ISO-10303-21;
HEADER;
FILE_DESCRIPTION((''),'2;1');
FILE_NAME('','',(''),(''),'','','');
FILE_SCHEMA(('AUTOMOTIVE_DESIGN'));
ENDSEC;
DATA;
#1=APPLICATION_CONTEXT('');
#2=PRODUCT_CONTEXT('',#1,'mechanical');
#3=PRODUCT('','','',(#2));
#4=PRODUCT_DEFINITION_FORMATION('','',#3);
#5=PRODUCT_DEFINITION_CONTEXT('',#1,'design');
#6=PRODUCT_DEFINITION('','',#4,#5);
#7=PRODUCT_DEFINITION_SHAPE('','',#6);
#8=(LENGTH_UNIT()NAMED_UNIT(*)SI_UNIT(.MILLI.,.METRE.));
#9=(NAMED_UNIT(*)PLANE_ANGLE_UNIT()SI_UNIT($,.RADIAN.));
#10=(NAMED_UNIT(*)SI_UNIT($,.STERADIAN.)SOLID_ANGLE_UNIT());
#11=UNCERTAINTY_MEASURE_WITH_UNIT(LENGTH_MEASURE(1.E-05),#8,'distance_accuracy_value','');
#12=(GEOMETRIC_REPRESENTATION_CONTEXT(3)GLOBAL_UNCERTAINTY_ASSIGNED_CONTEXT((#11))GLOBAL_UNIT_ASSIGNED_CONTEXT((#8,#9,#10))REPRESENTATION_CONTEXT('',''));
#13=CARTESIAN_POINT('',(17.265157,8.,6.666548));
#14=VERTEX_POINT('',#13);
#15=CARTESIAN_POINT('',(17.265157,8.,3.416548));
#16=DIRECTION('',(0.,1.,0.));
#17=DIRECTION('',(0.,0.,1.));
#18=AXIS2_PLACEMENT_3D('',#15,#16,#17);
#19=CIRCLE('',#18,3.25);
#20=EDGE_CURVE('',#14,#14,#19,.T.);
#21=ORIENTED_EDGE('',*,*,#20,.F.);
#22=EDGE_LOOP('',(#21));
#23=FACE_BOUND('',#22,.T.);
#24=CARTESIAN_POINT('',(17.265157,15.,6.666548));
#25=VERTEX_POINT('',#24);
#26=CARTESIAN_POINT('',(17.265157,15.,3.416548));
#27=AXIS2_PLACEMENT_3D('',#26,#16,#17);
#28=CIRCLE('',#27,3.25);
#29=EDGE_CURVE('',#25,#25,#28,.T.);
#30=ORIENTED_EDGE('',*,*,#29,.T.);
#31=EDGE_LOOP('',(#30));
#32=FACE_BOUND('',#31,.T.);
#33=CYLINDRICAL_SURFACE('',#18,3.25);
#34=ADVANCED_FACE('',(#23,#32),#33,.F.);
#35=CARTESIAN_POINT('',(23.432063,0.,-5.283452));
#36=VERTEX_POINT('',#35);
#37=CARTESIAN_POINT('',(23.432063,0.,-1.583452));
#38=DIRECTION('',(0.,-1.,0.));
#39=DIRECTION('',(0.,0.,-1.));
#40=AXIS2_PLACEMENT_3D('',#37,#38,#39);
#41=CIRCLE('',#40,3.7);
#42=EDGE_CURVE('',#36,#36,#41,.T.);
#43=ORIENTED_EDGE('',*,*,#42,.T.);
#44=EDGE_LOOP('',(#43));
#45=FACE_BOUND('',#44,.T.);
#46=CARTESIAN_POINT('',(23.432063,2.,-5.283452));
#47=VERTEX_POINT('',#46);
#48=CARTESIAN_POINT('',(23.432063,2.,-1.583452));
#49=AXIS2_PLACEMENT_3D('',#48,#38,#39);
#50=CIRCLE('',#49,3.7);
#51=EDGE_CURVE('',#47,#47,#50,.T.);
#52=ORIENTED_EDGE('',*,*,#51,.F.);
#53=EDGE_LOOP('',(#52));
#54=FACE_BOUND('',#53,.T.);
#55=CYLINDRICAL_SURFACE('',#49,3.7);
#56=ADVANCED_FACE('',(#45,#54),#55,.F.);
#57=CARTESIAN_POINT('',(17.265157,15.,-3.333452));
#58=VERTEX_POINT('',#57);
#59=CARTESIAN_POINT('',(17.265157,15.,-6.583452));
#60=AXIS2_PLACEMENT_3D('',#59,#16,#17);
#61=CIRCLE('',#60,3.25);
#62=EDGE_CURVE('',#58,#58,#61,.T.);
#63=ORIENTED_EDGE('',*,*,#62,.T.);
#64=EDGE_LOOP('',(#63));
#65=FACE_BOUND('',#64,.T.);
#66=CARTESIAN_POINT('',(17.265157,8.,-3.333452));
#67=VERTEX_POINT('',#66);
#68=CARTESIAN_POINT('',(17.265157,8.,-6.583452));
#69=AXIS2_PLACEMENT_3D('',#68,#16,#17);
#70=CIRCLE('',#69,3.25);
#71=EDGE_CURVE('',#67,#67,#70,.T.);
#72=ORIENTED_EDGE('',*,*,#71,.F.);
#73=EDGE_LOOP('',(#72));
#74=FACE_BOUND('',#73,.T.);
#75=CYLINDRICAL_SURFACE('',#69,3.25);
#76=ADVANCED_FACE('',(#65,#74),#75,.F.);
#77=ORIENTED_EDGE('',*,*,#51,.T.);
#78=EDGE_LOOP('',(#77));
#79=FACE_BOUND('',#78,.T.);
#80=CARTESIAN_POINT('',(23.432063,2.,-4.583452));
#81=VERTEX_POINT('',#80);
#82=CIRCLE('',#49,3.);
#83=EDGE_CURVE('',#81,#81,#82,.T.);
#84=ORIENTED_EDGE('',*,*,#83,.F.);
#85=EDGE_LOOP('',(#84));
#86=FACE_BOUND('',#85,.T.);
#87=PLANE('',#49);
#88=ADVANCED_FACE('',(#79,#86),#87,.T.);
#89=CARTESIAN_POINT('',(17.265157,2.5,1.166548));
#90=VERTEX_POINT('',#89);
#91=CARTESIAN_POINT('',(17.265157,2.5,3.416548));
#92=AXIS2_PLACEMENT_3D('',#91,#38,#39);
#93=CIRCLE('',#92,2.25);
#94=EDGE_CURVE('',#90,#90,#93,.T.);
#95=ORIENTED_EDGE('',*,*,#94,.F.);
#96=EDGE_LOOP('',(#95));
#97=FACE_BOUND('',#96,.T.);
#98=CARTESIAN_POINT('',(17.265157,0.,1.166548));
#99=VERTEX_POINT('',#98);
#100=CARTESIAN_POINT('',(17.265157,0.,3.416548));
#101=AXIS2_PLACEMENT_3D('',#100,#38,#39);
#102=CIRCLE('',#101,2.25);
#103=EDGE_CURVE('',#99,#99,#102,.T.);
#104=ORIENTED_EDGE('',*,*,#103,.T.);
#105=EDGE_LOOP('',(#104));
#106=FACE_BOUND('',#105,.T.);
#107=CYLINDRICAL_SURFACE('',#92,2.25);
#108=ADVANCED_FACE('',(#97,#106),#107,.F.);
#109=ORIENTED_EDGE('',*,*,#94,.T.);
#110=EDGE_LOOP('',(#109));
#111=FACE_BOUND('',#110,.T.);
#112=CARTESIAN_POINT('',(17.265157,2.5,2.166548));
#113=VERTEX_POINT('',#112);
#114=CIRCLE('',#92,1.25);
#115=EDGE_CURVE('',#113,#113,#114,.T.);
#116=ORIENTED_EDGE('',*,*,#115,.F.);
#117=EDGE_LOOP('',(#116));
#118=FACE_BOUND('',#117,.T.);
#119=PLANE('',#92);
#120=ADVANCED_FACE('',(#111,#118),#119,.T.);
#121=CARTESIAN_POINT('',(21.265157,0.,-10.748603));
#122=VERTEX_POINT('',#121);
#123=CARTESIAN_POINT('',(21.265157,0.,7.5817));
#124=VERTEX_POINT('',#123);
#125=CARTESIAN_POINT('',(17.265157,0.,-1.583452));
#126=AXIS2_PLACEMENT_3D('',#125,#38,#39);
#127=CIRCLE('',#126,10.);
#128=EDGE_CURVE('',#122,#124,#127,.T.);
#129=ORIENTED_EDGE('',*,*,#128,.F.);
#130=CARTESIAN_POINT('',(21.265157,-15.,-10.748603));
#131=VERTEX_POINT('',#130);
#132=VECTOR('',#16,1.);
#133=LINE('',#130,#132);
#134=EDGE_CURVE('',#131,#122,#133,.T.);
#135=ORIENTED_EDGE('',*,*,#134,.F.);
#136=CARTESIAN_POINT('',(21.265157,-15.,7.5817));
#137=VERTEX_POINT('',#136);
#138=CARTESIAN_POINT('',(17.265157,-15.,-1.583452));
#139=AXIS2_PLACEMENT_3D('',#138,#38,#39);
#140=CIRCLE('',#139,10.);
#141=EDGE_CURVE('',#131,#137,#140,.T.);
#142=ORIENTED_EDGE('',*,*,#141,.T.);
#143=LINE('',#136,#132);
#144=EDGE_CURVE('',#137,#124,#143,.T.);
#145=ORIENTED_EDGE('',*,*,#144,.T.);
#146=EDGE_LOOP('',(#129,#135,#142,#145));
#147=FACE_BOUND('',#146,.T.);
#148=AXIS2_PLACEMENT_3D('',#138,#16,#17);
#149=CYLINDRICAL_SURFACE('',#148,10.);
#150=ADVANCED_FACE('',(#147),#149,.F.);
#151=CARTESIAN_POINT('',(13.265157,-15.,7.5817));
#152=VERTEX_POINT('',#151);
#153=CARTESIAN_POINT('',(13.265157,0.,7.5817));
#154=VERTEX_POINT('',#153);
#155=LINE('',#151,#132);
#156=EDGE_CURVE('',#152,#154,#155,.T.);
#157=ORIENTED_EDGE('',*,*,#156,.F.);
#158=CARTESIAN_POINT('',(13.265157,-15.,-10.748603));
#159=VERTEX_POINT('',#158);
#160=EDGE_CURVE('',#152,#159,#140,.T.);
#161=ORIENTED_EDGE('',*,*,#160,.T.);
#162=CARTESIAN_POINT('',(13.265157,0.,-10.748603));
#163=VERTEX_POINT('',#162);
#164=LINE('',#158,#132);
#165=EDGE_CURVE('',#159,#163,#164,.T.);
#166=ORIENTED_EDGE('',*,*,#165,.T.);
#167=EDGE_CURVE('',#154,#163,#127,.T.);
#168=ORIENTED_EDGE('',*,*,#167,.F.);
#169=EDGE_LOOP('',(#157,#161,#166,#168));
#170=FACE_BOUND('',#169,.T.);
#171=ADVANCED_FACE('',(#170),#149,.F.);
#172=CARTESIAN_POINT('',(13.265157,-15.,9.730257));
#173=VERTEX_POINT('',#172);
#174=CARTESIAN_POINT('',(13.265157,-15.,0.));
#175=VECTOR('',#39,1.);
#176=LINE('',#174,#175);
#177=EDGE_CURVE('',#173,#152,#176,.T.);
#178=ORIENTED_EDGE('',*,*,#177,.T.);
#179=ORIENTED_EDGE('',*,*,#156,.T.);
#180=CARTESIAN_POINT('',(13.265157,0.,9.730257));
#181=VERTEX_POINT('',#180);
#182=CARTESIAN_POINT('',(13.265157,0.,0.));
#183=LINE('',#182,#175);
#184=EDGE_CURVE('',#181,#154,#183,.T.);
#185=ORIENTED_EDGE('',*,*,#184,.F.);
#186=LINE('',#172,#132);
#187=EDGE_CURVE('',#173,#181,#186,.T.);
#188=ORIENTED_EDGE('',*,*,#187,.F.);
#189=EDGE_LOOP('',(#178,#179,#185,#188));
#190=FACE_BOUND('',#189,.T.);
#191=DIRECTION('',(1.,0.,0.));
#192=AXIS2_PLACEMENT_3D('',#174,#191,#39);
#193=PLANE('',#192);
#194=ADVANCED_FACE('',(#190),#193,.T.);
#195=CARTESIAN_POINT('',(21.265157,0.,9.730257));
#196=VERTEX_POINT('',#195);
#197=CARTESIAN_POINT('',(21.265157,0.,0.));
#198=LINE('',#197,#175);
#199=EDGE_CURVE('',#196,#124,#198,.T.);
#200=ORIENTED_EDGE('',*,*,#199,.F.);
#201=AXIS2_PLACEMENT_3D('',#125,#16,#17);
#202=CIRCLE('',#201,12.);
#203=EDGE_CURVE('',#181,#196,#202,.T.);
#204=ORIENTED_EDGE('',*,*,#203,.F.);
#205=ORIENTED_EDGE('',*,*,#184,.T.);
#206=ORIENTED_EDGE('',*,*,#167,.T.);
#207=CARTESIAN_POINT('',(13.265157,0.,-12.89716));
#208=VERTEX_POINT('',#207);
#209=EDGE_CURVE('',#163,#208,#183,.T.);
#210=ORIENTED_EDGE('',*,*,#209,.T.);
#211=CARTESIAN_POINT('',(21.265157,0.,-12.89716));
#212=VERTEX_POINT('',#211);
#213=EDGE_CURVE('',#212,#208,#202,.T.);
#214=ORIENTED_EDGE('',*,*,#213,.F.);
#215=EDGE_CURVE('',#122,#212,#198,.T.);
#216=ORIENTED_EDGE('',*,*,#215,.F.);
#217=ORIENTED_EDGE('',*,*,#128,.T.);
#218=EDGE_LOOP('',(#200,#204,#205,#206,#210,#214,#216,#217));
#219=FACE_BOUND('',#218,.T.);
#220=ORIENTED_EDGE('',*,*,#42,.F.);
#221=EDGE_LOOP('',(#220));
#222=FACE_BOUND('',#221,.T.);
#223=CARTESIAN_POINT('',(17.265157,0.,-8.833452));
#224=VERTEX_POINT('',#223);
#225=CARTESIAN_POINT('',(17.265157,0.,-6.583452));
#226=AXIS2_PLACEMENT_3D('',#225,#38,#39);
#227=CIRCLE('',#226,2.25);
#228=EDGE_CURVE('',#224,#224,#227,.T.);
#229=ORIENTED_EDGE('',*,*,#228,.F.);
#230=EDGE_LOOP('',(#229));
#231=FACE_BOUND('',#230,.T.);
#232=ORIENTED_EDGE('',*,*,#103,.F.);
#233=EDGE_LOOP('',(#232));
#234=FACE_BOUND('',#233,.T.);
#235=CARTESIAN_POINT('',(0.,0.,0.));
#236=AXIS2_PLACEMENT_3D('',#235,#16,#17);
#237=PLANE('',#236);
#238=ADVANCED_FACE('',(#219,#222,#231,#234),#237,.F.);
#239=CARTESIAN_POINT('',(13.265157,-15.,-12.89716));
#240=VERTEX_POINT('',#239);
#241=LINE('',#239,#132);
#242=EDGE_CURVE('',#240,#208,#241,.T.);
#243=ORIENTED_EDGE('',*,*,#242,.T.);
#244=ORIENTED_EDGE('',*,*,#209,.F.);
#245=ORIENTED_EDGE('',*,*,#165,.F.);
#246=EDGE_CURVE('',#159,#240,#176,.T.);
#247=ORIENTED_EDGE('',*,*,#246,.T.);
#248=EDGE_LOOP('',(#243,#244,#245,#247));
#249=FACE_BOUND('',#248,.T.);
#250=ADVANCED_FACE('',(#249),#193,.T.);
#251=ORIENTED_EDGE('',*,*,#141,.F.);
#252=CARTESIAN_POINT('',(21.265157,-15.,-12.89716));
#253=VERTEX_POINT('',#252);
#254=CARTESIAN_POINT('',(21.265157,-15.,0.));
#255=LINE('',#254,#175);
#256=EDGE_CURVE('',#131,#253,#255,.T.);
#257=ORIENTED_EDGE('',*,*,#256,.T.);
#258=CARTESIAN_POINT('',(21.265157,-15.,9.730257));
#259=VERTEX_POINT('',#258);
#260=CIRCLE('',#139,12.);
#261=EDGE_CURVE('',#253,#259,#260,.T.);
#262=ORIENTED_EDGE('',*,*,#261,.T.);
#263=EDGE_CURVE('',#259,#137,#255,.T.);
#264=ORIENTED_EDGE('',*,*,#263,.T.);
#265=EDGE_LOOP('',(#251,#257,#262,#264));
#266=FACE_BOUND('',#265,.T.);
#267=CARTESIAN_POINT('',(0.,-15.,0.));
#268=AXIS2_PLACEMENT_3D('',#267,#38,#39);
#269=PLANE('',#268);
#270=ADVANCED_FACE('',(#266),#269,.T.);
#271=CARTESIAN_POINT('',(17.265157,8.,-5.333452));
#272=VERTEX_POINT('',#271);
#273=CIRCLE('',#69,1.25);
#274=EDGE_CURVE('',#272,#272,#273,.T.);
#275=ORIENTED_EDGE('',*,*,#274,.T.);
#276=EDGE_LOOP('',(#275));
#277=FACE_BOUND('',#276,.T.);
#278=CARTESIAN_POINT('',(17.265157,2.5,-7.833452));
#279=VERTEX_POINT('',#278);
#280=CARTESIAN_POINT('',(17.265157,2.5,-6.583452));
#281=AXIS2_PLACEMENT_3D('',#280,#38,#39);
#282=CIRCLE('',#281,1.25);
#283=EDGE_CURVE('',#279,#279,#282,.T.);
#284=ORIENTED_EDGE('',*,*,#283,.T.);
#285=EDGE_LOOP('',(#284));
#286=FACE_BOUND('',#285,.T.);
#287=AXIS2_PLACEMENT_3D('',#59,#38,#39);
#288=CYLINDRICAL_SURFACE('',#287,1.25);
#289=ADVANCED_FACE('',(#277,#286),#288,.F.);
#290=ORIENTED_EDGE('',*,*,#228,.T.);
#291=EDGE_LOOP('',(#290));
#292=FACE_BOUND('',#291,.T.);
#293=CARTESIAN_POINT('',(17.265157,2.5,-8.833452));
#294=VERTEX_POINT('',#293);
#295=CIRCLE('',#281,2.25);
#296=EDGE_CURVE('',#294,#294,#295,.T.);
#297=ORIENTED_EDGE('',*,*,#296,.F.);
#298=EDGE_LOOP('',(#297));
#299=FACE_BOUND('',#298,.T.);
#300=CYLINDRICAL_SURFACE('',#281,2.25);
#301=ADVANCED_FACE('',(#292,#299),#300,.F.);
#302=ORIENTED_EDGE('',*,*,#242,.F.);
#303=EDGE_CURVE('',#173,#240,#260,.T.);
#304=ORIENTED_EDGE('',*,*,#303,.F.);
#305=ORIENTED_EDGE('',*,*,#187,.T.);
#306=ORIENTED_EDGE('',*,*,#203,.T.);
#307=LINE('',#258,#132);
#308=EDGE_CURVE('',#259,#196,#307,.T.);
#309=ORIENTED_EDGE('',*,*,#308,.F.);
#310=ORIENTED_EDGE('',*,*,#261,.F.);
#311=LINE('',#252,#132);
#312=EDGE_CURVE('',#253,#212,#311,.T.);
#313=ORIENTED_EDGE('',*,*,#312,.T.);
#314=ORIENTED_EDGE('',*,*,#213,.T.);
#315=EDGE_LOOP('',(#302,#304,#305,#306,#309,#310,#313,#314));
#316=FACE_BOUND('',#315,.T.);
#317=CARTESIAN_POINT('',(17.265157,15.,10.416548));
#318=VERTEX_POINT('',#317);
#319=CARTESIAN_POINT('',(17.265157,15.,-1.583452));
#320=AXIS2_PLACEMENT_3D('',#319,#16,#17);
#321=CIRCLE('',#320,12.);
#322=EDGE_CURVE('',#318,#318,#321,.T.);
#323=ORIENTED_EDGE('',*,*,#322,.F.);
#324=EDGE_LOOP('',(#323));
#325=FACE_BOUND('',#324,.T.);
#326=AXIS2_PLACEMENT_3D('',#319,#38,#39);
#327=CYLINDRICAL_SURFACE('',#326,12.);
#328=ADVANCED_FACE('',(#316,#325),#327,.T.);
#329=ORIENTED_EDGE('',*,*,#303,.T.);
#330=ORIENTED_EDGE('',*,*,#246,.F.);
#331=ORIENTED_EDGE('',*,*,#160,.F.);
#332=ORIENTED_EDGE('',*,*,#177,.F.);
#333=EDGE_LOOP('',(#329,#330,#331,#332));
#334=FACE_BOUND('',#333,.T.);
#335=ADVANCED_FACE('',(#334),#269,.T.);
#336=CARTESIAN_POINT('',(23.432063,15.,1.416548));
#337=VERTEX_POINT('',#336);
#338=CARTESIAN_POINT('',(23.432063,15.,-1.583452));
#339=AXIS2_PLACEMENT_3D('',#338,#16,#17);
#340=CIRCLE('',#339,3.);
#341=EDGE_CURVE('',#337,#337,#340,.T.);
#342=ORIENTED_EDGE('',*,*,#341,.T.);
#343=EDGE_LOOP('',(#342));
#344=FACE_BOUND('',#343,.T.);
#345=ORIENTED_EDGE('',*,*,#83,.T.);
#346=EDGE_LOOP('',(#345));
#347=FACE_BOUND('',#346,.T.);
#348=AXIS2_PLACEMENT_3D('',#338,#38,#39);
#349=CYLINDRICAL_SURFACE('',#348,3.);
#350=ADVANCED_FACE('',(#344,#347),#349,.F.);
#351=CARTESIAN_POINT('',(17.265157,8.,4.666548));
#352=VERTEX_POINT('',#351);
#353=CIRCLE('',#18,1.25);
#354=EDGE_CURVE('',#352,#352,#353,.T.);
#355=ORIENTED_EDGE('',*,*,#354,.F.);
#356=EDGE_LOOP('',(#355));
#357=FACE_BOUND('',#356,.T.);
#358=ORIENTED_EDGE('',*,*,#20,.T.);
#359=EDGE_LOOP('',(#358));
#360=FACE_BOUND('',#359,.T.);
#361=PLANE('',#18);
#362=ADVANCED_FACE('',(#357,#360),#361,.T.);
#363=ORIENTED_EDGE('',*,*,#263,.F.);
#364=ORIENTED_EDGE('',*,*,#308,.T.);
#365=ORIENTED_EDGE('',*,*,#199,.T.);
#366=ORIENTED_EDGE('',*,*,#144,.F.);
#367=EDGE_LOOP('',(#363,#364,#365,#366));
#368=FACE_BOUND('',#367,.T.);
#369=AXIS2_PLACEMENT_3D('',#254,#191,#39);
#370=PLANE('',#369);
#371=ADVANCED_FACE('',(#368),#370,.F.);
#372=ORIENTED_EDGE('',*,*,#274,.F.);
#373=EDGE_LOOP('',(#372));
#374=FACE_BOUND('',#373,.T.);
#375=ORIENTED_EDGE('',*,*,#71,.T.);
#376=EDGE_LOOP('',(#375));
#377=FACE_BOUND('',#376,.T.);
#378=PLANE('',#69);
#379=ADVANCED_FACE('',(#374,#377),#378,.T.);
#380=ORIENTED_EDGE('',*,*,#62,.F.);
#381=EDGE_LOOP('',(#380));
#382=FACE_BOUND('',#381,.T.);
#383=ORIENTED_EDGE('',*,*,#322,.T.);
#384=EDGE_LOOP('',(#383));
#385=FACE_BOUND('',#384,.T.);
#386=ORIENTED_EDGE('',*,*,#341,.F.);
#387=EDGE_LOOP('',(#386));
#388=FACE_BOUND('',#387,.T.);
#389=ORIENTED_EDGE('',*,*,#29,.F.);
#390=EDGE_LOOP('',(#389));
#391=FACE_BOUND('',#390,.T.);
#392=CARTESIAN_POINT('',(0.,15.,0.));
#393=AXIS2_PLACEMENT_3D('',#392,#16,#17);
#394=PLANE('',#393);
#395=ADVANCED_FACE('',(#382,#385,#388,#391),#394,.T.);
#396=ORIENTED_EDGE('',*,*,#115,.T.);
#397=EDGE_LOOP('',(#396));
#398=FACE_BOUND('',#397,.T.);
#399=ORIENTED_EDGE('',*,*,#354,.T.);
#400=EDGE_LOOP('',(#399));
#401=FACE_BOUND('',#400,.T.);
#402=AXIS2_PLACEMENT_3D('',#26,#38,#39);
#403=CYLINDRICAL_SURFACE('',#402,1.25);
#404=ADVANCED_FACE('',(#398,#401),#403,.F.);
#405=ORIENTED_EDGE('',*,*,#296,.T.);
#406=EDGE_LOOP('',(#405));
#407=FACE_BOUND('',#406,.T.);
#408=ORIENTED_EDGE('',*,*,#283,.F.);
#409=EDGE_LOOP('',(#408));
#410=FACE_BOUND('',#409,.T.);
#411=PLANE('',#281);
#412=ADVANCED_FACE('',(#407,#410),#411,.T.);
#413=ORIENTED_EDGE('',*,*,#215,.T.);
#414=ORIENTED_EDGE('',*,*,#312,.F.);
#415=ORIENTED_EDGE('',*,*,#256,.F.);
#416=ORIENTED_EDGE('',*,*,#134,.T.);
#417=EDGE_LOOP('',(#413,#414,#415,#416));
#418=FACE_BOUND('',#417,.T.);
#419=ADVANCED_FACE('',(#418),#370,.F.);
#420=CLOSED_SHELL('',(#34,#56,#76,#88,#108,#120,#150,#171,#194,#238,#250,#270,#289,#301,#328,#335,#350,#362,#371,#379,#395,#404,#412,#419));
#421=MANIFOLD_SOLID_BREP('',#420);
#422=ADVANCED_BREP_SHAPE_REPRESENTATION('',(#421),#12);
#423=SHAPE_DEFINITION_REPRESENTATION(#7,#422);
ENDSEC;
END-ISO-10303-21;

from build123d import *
from build123d.topology import SkipClean

# Parameters (mm, degrees)
SKETCH1_R           = 1.25
BOSS_EXTRUDE1_DEPTH = 15
BOSS_EXTRUDE2_START = 15
BOSS_EXTRUDE2_DEPTH = 15
SKETCH4_R           = 2.25
CUT_EXTRUDE2_DEPTH  = 2.5
SKETCH5_R           = 2.25
CUT_EXTRUDE3_DEPTH  = 2.5
SKETCH6_R           = 3.7
CUT_EXTRUDE4_DEPTH  = 2
SKETCH12_R          = 3.25
CUT_EXTRUDE5_DEPTH  = 7
SKETCH13_R          = 3.25
CUT_EXTRUDE6_DEPTH  = 7


with BuildPart() as part:
    # Sketch1 → Boss-Extrude1 (new body)
    # profile 1 of 3: a face of its own
    with BuildSketch(Plane(origin=(0, 0, 0), x_dir=(1, 0, 0), z_dir=(0, 1, 0))):
        with BuildLine():
            Line((13.265157172, 12.897160092), (13.265157172, 10.748602983))
            ThreePointArc((13.265157172, 10.748602983), (7.265157172, 1.583451593), (13.265157172, -7.581699797))
            Line((13.265157172, -7.581699797), (13.265157172, -9.730256906))
            ThreePointArc((13.265157172, -9.730256906), (17.265157172, -10.416548407), (21.265157172, -9.730256906))
            Line((21.265157172, -9.730256906), (21.265157172, -7.581699797))
            ThreePointArc((21.265157172, -7.581699797), (27.265157172, 1.583451593), (21.265157172, 10.748602983))
            Line((21.265157172, 10.748602983), (21.265157172, 12.897160092))
            ThreePointArc((21.265157172, 12.897160092), (17.265157172, 13.583451593), (13.265157172, 12.897160092))
        make_face()
        with Locations(Location((17.265157172, -3.416548407, 0), (0, 0, 270))):
            Circle(SKETCH1_R, mode=Mode.SUBTRACT)
        with Locations(Location((17.265157172, 6.583451593, 0), (0, 0, 270))):
            Circle(SKETCH1_R, mode=Mode.SUBTRACT)
        with BuildLine():
            ThreePointArc((26.432063002, 1.583451593), (24.549936544, -1.20049502), (21.265157172, -0.491281913))
            ThreePointArc((21.265157172, -0.491281913), (20.432063002, 1.583451593), (21.265157172, 3.6581851))
            ThreePointArc((21.265157172, 3.6581851), (24.549936544, 4.367398207), (26.432063002, 1.583451593))
        make_face(mode=Mode.SUBTRACT)
    # profile 2 of 3: a face of its own
    with BuildSketch(Plane(origin=(0, 0, 0), x_dir=(1, 0, 0), z_dir=(0, 1, 0))):
        with BuildLine():
            ThreePointArc((13.265157172, -7.581699797), (7.265157172, 1.583451593), (13.265157172, 10.748602983))
            Line((13.265157172, 10.748602983), (13.265157172, 12.897160092))
            ThreePointArc((13.265157172, 12.897160092), (5.265157172, 1.583451593), (13.265157172, -9.730256906))
            Line((13.265157172, -9.730256906), (13.265157172, -7.581699797))
        make_face()
    # profile 3 of 3: a face of its own
    with BuildSketch(Plane(origin=(0, 0, 0), x_dir=(1, 0, 0), z_dir=(0, 1, 0))):
        with BuildLine():
            ThreePointArc((29.265157172, 1.583451593), (27.063116143, 8.511654824), (21.265157172, 12.897160092))
            Line((21.265157172, 12.897160092), (21.265157172, 10.748602983))
            ThreePointArc((21.265157172, 10.748602983), (27.265157172, 1.583451593), (21.265157172, -7.581699797))
            Line((21.265157172, -7.581699797), (21.265157172, -9.730256906))
            ThreePointArc((21.265157172, -9.730256906), (27.063116143, -5.344751637), (29.265157172, 1.583451593))
        make_face()
    extrude(amount=BOSS_EXTRUDE1_DEPTH)

    # Sketch3 → Boss-Extrude2 (add)
    with SkipClean():  # the faces are left unmerged after this step: merging them gives an invalid solid
        with BuildSketch(Plane.XZ.offset(BOSS_EXTRUDE2_START)):
            with BuildLine():
                Line((13.265157172, -12.897160092), (13.265157172, -10.748602983))
                ThreePointArc((13.265157172, -10.748602983), (7.265157172, -1.583451593), (13.265157172, 7.581699797))
                Line((13.265157172, 7.581699797), (13.265157172, 9.730256906))
                ThreePointArc((13.265157172, 9.730256906), (5.265157172, -1.583451593), (13.265157172, -12.897160092))
            make_face()
            with BuildLine():
                Line((21.265157172, -10.748602983), (21.265157172, -12.897160092))
                ThreePointArc((21.265157172, -12.897160092), (27.063116143, -8.511654824), (29.265157172, -1.583451593))
                ThreePointArc((29.265157172, -1.583451593), (27.063116143, 5.344751637), (21.265157172, 9.730256906))
                Line((21.265157172, 9.730256906), (21.265157172, 7.581699797))
                ThreePointArc((21.265157172, 7.581699797), (27.265157172, -1.583451593), (21.265157172, -10.748602983))
            make_face()
        extrude(amount=-BOSS_EXTRUDE2_DEPTH)

    # Sketch4 → Cut-Extrude2 (cut)
    with SkipClean():  # the faces are left unmerged after this step: merging them gives an invalid solid
        with BuildSketch(Plane.XZ):
            with Locations(Location((17.265157172, -6.583451593, 0), (0, 0, 270))):
                Circle(SKETCH4_R)
        extrude(amount=-CUT_EXTRUDE2_DEPTH, mode=Mode.SUBTRACT)

    # Sketch5 → Cut-Extrude3 (cut)
    with SkipClean():  # the faces are left unmerged after this step: merging them gives an invalid solid
        with BuildSketch(Plane.XZ):
            with Locations(Location((17.265157172, 3.416548407, 0), (0, 0, 270))):
                Circle(SKETCH5_R)
        extrude(amount=-CUT_EXTRUDE3_DEPTH, mode=Mode.SUBTRACT)

    # Sketch6 → Cut-Extrude4 (cut)
    with SkipClean():  # the faces are left unmerged after this step: merging them gives an invalid solid
        with BuildSketch(Plane.XZ):
            with Locations(Location((23.432063002, -1.583451593, 0), (0, 0, 270))):
                Circle(SKETCH6_R)
        extrude(amount=-CUT_EXTRUDE4_DEPTH, mode=Mode.SUBTRACT)

    # Sketch12 → Cut-Extrude5 (cut)
    with SkipClean():  # the faces are left unmerged after this step: merging them gives an invalid solid
        with BuildSketch(Plane(origin=(0, 15, 0), x_dir=(1, 0, 0), z_dir=(0, 1, 0))):
            with Locations(Location((17.265157172, 6.583451593, 0), (0, 0, 270))):
                Circle(SKETCH12_R)
        extrude(amount=-CUT_EXTRUDE5_DEPTH, mode=Mode.SUBTRACT)

    # Sketch13 → Cut-Extrude6 (cut)
    with SkipClean():  # the faces are left unmerged after this step: merging them gives an invalid solid
        with BuildSketch(Plane(origin=(0, 15, 0), x_dir=(1, 0, 0), z_dir=(0, 1, 0))):
            with Locations(Location((17.265157172, -3.416548407, 0), (0, 0, 270))):
                Circle(SKETCH13_R)
        extrude(amount=-CUT_EXTRUDE6_DEPTH, mode=Mode.SUBTRACT)


solid = part.part
